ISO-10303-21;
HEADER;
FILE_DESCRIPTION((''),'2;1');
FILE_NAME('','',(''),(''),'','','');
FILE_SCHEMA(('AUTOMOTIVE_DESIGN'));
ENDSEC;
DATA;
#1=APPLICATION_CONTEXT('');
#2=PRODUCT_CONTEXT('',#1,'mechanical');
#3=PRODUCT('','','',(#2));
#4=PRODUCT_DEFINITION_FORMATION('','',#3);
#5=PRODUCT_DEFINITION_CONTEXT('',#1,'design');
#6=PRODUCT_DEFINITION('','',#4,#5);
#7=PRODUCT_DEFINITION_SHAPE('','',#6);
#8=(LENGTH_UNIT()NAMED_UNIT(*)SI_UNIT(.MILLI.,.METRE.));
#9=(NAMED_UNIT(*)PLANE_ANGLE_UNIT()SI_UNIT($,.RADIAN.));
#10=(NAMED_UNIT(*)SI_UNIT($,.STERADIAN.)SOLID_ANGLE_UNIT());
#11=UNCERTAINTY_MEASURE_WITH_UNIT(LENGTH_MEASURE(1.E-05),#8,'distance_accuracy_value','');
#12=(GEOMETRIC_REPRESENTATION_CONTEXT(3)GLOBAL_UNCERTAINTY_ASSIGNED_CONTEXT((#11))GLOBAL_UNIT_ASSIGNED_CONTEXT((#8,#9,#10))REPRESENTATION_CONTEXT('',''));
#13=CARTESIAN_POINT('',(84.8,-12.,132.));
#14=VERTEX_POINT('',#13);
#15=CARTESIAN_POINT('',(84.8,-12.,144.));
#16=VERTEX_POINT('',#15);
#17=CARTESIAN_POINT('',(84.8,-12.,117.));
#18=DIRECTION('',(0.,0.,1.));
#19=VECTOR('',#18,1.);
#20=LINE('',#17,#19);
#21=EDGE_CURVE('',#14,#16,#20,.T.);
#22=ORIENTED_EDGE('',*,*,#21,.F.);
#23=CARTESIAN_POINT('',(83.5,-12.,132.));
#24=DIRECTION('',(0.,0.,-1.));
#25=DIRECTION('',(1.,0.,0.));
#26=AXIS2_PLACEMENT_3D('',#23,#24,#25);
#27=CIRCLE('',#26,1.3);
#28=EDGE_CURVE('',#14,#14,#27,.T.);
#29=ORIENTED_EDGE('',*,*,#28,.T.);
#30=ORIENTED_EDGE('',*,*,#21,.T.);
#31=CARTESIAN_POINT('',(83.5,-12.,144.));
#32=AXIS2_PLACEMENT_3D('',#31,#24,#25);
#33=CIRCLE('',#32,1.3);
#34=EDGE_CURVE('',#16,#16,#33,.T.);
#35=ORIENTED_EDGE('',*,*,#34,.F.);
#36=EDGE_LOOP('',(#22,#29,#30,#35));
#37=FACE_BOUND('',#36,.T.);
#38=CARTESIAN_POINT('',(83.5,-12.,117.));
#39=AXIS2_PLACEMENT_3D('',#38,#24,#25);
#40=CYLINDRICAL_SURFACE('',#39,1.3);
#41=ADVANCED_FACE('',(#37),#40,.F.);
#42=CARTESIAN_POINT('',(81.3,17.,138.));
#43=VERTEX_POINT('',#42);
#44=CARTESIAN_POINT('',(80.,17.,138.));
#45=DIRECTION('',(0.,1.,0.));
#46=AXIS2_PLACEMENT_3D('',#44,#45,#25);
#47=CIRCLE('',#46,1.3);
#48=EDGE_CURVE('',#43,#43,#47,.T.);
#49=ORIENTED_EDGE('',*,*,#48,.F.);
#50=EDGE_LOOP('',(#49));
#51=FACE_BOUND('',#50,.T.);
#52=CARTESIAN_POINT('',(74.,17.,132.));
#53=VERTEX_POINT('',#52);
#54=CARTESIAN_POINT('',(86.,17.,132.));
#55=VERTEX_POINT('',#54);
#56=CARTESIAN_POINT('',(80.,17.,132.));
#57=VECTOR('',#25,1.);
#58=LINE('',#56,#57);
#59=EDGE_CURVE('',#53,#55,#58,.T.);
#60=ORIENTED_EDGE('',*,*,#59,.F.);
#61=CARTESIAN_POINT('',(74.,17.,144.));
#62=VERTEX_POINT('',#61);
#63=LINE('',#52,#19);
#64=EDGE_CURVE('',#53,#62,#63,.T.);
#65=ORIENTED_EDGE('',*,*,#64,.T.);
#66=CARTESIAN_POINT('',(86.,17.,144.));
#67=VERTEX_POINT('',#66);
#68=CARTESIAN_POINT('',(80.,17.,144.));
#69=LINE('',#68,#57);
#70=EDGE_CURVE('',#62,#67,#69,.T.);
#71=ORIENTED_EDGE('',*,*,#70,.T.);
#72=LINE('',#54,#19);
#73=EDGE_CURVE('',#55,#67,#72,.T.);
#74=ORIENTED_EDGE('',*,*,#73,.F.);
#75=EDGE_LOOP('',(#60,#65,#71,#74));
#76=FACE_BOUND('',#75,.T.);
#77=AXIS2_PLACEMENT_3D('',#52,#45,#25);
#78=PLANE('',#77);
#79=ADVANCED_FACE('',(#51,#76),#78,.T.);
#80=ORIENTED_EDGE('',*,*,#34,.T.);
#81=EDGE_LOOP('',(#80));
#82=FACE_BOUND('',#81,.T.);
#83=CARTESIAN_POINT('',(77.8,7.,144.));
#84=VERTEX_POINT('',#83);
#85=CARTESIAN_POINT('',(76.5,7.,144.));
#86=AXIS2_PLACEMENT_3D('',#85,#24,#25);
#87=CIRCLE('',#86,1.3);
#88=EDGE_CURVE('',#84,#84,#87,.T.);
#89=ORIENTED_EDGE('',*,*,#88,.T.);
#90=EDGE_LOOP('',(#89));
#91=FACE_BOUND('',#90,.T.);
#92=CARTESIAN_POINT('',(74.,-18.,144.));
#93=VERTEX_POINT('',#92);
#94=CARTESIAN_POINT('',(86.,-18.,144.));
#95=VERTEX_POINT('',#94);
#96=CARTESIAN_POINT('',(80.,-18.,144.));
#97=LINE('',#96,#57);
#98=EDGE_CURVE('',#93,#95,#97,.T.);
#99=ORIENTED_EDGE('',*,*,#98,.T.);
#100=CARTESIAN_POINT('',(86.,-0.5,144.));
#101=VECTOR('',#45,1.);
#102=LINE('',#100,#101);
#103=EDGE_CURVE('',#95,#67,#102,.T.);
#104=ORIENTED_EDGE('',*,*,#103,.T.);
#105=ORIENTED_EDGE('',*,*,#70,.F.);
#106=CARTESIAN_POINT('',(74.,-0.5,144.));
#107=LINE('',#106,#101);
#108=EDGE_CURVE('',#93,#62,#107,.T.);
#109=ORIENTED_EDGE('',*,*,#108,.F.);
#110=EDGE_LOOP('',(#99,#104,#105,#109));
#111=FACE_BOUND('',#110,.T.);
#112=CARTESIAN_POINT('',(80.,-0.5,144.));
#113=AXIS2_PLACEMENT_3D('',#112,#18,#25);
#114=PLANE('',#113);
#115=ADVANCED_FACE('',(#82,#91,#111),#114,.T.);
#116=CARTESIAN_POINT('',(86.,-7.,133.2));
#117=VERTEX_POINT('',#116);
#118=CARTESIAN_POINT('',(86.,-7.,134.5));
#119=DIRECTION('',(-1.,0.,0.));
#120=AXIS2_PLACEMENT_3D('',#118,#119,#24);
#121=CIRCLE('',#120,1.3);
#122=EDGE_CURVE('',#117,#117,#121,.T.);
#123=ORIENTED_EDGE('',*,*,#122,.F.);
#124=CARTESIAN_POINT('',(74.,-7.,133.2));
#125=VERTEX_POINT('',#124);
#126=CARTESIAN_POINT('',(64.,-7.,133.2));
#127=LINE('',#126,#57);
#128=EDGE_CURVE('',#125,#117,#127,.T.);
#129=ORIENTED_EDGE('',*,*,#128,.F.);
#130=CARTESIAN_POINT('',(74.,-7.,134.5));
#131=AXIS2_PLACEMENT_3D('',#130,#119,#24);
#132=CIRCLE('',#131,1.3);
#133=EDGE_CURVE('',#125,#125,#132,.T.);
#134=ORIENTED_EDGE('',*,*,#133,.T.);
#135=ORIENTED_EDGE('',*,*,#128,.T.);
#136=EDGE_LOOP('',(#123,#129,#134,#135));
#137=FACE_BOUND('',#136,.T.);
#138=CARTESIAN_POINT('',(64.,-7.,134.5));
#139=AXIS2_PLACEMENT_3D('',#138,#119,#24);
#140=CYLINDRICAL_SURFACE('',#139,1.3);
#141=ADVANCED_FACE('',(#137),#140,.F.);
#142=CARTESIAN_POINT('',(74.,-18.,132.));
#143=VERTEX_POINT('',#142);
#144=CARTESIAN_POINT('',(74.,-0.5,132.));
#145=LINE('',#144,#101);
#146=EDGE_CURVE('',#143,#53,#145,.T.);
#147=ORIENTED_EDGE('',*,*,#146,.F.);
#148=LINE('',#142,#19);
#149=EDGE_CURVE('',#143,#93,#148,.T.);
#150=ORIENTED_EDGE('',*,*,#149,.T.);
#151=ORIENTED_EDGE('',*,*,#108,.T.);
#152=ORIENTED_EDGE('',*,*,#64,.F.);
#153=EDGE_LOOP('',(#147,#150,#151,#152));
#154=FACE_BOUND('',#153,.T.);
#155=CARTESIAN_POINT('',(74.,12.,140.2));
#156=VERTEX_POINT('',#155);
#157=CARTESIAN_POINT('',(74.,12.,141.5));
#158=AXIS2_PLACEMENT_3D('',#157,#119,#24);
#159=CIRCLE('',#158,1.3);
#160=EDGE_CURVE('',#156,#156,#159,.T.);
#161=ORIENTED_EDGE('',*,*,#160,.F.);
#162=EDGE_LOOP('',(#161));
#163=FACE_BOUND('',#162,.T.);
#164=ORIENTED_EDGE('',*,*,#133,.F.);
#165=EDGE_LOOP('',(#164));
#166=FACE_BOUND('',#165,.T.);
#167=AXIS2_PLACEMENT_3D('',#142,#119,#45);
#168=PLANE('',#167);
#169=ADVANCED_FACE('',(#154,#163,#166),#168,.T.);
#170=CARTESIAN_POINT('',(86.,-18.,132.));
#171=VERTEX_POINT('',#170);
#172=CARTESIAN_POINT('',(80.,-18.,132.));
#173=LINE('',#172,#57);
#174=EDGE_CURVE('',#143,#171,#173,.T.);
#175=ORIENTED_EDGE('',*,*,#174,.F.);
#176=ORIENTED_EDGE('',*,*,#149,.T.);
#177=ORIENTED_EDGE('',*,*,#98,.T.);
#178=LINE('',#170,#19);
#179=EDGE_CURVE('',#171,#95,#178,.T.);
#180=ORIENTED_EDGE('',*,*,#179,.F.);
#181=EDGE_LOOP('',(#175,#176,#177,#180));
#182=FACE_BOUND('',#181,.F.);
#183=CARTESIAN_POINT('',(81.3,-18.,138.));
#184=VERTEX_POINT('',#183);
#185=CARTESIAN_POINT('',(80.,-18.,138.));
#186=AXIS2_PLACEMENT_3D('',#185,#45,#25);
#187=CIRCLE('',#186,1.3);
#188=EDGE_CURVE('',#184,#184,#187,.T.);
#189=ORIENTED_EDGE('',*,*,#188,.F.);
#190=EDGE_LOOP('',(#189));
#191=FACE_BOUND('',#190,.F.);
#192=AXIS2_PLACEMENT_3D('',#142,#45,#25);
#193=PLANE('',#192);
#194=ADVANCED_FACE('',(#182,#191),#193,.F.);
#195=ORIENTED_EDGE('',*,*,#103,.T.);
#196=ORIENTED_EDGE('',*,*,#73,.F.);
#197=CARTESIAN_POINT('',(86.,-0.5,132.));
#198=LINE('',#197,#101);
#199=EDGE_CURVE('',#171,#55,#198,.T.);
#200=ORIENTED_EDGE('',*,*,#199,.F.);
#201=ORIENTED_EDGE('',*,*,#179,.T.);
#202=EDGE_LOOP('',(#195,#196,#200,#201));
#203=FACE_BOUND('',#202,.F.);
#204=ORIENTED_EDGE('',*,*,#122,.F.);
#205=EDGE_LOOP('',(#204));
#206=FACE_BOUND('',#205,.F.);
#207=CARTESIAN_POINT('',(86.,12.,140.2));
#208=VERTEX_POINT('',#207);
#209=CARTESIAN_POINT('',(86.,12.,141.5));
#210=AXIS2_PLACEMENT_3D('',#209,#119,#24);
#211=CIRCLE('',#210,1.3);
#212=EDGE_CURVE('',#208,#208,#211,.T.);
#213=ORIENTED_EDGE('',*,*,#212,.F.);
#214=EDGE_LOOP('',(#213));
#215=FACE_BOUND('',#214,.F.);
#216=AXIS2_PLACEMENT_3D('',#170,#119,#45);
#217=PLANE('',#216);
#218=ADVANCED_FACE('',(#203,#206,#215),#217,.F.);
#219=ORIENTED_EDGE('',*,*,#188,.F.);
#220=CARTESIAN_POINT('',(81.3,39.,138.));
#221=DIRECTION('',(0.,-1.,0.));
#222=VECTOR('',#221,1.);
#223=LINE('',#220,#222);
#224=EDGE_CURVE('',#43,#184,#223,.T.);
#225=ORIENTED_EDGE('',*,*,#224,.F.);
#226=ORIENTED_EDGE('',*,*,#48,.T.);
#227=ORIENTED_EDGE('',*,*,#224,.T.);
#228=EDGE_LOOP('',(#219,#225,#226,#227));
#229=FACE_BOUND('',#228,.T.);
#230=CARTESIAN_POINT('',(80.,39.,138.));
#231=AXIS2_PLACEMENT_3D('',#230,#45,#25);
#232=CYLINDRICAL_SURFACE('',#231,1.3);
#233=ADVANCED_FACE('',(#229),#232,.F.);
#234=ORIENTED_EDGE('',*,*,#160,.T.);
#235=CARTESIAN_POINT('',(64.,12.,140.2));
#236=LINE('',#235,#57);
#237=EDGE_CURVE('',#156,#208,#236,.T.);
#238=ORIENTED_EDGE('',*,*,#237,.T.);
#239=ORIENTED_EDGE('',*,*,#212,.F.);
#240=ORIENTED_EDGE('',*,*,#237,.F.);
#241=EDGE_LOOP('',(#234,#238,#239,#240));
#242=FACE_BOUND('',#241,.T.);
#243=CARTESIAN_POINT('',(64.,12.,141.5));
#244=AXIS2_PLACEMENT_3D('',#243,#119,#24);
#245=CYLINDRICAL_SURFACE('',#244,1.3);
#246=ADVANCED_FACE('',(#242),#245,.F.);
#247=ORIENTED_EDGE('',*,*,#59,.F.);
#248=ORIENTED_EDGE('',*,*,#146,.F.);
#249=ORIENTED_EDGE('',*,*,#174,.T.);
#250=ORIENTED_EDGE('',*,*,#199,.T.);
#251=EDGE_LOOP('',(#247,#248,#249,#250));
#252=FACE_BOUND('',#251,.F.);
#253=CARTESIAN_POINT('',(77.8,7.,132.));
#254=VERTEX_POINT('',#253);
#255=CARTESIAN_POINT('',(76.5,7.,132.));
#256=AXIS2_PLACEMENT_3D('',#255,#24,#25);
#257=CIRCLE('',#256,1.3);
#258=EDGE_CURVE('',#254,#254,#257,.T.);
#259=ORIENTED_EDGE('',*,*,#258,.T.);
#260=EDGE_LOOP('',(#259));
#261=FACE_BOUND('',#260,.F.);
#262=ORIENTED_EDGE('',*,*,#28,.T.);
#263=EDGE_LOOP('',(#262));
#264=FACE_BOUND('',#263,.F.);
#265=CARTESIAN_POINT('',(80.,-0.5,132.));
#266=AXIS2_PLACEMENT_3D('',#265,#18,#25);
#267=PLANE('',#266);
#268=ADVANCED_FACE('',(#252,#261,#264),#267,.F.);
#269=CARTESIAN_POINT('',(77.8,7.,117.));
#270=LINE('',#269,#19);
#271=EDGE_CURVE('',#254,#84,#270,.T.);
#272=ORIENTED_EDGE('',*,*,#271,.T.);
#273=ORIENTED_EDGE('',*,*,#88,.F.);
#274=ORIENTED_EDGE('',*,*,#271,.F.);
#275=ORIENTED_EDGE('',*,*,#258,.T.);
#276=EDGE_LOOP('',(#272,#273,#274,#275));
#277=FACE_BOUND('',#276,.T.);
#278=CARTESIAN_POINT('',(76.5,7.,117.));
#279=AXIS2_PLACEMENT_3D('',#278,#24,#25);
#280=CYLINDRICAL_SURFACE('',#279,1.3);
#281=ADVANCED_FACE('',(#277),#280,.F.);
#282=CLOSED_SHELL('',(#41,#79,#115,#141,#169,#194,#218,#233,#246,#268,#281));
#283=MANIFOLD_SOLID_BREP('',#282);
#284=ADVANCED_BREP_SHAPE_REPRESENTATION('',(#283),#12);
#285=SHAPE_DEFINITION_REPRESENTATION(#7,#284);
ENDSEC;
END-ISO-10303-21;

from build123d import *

# Parameters (mm, degrees)
CYLINDER024_R           = 1.3
CYLINDER024_DEPTH       = 40
CYLINDER024_PITCH_ANGLE = 90
CYLINDER023_R           = 1.3
CYLINDER023_DEPTH       = 40
CYLINDER023_PITCH_ANGLE = 90
CYLINDER022_R           = 1.3
CYLINDER022_DEPTH       = 70
CYLINDER022_ROLL_ANGLE  = 90
CYLINDER021_R           = 1.3
CYLINDER021_DEPTH       = 40
CYLINDER020_R           = 1.3
CYLINDER020_DEPTH       = 40
BOX017_W                = 12
BOX017_H                = 35
BOX017_DEPTH            = 12


with BuildPart() as cylinder105:
    # Cylinder024 → Cylinder024 (new body)
    with BuildSketch(Plane.XY):
        Circle(CYLINDER024_R)
    extrude(amount=CYLINDER024_DEPTH)


with BuildPart() as cylinder105_1:
    # Cylinder024 pitch: moved
    add(cylinder105.part.rotate(Axis((0, 0, 0), (0, 1, 0)), CYLINDER024_PITCH_ANGLE))


with BuildPart() as cylinder105_2:
    # Cylinder024 placement: moved
    add(cylinder105_1.part.moved(Location((-40, 12, 9.5))))


with BuildPart() as fusion007:
    # Cylinder023 → Cylinder023 (new body)
    with BuildSketch(Plane.XY):
        Circle(CYLINDER023_R)
    extrude(amount=CYLINDER023_DEPTH)


with BuildPart() as fusion007_1:
    # Cylinder023 pitch: moved
    add(fusion007.part.rotate(Axis((0, 0, 0), (0, 1, 0)), CYLINDER023_PITCH_ANGLE))


with BuildPart() as fusion007_2:
    # Cylinder023 placement: moved
    add(fusion007_1.part.moved(Location((-40, -7, 2.5))))

    # Fusion007: union Cylinder105
    add(cylinder105_2.part)


with BuildPart() as fusion008:
    # Cylinder022 → Cylinder022 (new body)
    with BuildSketch(Plane.XY):
        Circle(CYLINDER022_R)
    extrude(amount=CYLINDER022_DEPTH)


with BuildPart() as fusion008_1:
    # Cylinder022 roll: moved
    add(fusion008.part.rotate(Axis((0, 0, 0), (1, 0, 0)), CYLINDER022_ROLL_ANGLE))


with BuildPart() as fusion008_2:
    # Cylinder022 placement: moved
    add(fusion008_1.part.moved(Location((-24, 39, 6))))

    # Fusion008: union Fusion007
    add(fusion007_2.part)


with BuildPart() as fusion009:
    # Cylinder021 → Cylinder021 (new body)
    with BuildSketch(Plane(origin=(-27.5, 7, -15), x_dir=(1, 0, 0), z_dir=(0, 0, 1))):
        Circle(CYLINDER021_R)
    extrude(amount=CYLINDER021_DEPTH)

    # Fusion009: union Fusion008
    add(fusion008_2.part)


with BuildPart() as corner_block_holes:
    # Cylinder020 → Cylinder020 (new body)
    with BuildSketch(Plane(origin=(-20.5, -12, -15), x_dir=(1, 0, 0), z_dir=(0, 0, 1))):
        Circle(CYLINDER020_R)
    extrude(amount=CYLINDER020_DEPTH)

    # Fusion010: union Fusion009
    add(fusion009.part)


with BuildPart() as corner_block003:
    # Box017 → Box017 (new body)
    with BuildSketch(Plane(origin=(-30, -18, 0), x_dir=(1, 0, 0), z_dir=(0, 0, 1))):
        with Locations((6, 17.5)):
            Rectangle(BOX017_W, BOX017_H)
    extrude(amount=BOX017_DEPTH)

    # Cut011: cut corner-block-holes
    add(corner_block_holes.part, mode=Mode.SUBTRACT)


with BuildPart() as corner_block003_1:
    # Cut011 placement: moved
    add(corner_block003.part.moved(Location((104, 0, 132))))


solid = corner_block003_1.part
